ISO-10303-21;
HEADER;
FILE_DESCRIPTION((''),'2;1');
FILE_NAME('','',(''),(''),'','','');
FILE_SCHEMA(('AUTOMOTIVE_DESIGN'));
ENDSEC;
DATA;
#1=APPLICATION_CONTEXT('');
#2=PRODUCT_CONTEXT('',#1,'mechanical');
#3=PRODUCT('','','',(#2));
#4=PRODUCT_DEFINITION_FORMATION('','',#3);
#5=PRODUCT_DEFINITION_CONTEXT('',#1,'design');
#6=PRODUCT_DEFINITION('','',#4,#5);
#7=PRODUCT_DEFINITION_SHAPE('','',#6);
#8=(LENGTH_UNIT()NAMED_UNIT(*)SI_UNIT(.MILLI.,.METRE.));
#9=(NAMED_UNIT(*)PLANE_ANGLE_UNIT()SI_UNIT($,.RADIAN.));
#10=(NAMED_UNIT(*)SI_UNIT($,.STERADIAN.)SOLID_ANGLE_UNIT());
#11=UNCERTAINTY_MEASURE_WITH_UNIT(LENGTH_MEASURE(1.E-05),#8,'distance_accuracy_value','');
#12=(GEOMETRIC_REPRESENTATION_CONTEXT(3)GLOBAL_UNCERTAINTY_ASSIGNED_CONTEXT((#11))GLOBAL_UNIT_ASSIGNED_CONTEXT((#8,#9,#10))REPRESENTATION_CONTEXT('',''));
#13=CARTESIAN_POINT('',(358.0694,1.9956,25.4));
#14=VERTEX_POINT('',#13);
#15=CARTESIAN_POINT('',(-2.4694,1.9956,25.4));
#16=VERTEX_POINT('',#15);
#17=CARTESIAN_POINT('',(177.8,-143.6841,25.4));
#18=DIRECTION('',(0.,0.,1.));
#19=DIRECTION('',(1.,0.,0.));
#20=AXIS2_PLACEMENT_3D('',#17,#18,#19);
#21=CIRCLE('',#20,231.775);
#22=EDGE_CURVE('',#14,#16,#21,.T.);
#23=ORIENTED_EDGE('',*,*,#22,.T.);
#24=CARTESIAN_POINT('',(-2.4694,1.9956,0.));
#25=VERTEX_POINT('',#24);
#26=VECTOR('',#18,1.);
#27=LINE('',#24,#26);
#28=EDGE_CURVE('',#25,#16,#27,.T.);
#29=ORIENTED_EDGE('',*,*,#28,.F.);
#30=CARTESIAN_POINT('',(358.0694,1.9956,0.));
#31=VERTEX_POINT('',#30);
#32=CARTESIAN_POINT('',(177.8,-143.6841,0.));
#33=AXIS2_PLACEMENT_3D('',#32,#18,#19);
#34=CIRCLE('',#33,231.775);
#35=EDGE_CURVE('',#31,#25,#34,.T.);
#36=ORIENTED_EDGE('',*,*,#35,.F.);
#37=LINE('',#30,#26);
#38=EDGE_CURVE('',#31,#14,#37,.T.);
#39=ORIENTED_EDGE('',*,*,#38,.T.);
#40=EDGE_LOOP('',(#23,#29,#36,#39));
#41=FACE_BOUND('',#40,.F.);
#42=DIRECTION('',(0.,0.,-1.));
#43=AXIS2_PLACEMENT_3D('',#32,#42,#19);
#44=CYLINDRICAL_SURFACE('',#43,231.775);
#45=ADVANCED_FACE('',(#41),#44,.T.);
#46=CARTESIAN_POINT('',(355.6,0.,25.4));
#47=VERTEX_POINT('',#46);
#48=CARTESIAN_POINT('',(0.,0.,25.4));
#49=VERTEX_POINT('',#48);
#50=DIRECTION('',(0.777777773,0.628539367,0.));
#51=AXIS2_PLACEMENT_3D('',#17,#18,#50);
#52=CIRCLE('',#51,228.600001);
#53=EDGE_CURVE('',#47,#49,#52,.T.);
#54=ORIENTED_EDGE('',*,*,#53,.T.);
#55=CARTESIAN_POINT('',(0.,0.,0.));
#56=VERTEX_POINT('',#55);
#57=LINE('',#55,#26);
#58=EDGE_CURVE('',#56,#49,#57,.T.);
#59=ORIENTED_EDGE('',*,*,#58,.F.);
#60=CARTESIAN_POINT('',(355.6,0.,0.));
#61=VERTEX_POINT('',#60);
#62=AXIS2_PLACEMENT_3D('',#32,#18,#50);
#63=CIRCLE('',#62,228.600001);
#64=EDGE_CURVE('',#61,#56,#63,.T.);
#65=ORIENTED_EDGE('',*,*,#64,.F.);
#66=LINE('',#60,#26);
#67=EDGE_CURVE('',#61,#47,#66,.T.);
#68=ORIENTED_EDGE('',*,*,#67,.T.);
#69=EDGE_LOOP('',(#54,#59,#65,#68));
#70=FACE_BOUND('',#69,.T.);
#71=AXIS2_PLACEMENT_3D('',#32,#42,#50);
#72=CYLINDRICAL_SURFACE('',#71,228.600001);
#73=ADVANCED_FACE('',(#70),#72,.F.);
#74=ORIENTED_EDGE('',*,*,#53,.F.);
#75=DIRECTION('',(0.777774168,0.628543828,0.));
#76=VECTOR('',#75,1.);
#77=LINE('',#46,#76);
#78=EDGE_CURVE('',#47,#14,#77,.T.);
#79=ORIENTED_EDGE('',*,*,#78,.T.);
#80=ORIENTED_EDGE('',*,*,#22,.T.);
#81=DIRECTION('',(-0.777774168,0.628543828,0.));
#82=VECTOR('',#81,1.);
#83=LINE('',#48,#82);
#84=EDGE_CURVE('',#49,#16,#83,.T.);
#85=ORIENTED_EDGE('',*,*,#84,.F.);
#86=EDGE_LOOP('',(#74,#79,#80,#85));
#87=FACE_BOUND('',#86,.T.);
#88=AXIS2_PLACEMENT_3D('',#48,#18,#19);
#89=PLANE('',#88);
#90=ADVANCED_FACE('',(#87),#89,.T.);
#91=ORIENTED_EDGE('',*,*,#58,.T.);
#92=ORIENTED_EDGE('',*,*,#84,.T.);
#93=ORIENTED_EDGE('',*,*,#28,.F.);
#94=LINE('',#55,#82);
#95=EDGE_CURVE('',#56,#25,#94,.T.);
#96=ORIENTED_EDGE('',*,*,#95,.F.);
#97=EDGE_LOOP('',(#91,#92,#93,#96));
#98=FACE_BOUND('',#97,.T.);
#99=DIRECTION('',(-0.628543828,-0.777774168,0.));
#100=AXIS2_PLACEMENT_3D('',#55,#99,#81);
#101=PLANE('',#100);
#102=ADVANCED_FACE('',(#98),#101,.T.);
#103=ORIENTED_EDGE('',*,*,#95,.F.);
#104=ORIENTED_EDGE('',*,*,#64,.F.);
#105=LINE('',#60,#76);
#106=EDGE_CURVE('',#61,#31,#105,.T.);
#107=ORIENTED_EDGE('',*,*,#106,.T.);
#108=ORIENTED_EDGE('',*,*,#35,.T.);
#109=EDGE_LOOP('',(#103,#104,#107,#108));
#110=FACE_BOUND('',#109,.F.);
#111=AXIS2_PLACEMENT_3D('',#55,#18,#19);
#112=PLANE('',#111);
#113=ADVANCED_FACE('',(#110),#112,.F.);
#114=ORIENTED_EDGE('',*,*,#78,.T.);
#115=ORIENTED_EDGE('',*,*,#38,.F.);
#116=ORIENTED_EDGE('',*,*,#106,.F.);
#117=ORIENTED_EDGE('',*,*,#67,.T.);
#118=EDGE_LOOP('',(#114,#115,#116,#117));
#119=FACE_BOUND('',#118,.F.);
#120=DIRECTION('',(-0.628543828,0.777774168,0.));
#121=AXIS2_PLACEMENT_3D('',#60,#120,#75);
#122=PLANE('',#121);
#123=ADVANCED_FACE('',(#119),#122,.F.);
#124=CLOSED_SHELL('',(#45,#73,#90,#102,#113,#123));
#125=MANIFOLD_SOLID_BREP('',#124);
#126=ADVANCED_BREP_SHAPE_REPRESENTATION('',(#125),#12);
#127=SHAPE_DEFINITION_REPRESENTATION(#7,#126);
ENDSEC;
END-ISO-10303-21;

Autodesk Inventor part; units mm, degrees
ref_plane "YZ Plane" through (0, 0, 0) normal (1, 0, 0) x (0, 1, 0)
ref_plane "XZ Plane" through (0, 0, 0) normal (0, 1, 0) x (-1, 0, 0)
ref_plane "XY Plane" through (0, 0, 0) normal (0, 0, 1) x (1, 0, 0)
sketch "Sketch2" plane through (0, 0, 0) normal (0, 0, 1) x (1, 0, 0)
  line L0 (0, 0) -> (355.6, 0)
  arc A0 (355.6, 0) -> (0, 0) centre (177.8, -143.6841) ccw
  circle A1 centre (177.8, -143.6841) radius 231.775
  line L1 (177.8, -143.6841) -> (0, 0)
  line L2 (177.8, -143.6841) -> (355.6, 0)
  line L3 (355.6, 0) -> (358.0694, 1.9956)
  line L4 (0, 0) -> (-2.4694, 1.9956)
  dimension "d0" = 355.6
  dimension "d2" = 228.6
  dimension "d3" = 463.55
extrude "Extrusion1" add sketch "Sketch2" along normal blind 25.4 contours L4 A1 L3 A0
properties part number "Shooter_3inRollerGuide"
